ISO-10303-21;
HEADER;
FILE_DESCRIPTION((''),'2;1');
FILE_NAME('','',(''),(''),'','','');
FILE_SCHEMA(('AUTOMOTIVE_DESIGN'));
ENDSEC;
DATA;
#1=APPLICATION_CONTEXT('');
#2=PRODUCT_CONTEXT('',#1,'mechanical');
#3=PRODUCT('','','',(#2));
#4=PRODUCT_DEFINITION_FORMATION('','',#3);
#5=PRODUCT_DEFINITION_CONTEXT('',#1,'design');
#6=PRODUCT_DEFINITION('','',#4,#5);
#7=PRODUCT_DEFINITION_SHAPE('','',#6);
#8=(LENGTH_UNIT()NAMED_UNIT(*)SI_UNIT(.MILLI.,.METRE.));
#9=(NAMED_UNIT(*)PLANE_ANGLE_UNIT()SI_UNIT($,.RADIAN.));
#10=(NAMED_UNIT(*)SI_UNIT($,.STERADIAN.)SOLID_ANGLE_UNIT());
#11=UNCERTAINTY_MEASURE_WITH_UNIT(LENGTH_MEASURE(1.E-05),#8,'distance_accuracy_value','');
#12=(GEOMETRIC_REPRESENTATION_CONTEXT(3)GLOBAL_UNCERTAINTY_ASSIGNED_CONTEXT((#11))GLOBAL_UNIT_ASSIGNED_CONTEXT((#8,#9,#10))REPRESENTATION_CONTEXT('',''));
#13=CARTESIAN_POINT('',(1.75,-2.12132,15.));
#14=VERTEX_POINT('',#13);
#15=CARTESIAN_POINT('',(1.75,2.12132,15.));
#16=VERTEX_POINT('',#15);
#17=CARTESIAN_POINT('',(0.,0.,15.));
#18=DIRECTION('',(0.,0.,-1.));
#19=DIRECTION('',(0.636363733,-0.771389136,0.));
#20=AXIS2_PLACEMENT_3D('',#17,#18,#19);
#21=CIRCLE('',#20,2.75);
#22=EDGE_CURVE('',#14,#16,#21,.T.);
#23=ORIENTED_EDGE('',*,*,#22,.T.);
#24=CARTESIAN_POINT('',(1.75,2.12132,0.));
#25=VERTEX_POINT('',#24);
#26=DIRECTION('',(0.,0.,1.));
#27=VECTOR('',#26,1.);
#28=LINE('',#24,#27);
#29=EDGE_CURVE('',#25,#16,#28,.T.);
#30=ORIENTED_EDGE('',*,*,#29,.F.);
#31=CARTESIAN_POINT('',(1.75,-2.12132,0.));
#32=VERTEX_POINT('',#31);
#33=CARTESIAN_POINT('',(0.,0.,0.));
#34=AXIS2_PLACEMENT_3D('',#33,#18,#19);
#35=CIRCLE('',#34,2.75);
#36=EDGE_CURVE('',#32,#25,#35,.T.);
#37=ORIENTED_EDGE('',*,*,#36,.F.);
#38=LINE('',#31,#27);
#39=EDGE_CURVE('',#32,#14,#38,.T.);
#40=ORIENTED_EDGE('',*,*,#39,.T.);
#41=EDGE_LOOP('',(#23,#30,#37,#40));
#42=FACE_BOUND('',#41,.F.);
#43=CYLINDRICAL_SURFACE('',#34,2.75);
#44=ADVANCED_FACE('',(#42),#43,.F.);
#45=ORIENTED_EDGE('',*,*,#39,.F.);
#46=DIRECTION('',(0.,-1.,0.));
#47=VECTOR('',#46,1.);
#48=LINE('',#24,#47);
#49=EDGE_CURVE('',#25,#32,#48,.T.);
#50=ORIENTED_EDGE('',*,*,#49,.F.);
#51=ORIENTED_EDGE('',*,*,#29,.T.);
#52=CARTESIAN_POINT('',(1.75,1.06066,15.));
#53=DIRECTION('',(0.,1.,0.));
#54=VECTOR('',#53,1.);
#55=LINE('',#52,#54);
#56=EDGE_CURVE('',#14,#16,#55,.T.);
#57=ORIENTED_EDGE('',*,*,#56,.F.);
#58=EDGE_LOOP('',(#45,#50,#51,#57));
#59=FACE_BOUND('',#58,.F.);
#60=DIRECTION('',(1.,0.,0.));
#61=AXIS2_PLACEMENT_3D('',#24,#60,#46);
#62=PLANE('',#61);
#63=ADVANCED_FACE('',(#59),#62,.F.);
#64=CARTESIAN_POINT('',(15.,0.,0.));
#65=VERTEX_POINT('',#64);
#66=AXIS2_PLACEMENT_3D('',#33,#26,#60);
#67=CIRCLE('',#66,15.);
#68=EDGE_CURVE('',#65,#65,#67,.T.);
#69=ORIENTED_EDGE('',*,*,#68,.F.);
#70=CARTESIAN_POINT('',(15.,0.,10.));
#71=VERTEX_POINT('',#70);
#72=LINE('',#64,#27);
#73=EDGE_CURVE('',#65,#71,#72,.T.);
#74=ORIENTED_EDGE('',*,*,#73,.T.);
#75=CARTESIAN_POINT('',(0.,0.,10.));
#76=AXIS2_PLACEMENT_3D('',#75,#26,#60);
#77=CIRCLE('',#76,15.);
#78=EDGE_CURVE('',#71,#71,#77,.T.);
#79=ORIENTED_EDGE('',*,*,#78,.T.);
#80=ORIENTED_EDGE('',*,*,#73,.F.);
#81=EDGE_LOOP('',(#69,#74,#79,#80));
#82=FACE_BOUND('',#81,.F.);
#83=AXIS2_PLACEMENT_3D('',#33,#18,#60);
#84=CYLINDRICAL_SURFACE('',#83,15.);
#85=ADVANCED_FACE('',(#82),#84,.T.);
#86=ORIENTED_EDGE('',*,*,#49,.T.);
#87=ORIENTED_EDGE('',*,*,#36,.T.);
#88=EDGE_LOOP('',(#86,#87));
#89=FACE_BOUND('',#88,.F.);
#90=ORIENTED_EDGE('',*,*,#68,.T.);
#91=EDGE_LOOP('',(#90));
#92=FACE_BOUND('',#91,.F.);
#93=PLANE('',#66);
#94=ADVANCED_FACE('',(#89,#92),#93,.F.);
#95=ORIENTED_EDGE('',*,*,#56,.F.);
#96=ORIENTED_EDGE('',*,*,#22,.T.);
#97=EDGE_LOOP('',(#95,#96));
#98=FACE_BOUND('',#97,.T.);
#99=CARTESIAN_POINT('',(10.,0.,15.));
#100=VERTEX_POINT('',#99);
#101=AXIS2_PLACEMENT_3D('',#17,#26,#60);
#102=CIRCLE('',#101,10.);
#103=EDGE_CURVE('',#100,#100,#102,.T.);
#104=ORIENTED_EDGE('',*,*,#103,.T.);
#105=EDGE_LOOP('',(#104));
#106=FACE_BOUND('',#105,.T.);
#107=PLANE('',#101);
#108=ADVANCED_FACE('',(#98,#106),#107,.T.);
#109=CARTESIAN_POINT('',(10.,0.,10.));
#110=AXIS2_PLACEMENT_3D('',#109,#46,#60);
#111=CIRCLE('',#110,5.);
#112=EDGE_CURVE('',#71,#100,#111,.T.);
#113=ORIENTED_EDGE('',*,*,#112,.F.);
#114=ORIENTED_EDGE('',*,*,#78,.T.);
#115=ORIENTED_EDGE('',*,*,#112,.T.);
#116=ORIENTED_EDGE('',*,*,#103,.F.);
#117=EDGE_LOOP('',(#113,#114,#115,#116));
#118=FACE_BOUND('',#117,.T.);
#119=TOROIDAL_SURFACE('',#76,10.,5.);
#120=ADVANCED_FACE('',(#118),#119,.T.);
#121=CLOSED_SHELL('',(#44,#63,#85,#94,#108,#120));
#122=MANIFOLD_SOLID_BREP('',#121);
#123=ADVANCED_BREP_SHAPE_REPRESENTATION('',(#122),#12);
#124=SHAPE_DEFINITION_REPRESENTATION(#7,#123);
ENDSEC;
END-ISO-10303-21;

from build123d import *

# Parameters (mm, degrees)
F0_R     = 15
F1_DEPTH = 15
F3_DEPTH = 25
F4_R     = 5


with BuildPart() as f1:
    # F0 (on Top) → F1 (new body)
    with BuildSketch(Plane.XY):
        Circle(F0_R)
    extrude(amount=F1_DEPTH)

    # F2 (on face) → F3 (cut)
    with BuildSketch(Plane(origin=(0, 0, 0), x_dir=(1, 0, 0), z_dir=(0, 0, -1))):
        with BuildLine():
            Line((1.75, -2.12132), (1.75, 2.12132))
            ThreePointArc((1.75, 2.12132), (-2.75, 0), (1.75, -2.12132))
        make_face()
    extrude(amount=-F3_DEPTH, mode=Mode.SUBTRACT)

    # F4
    f4_edges = [f1.edges().sort_by_distance(p)[0] for p in [
        (-15, 0, 15),
    ]]
    fillet(f4_edges, radius=F4_R)


solid = f1.part
